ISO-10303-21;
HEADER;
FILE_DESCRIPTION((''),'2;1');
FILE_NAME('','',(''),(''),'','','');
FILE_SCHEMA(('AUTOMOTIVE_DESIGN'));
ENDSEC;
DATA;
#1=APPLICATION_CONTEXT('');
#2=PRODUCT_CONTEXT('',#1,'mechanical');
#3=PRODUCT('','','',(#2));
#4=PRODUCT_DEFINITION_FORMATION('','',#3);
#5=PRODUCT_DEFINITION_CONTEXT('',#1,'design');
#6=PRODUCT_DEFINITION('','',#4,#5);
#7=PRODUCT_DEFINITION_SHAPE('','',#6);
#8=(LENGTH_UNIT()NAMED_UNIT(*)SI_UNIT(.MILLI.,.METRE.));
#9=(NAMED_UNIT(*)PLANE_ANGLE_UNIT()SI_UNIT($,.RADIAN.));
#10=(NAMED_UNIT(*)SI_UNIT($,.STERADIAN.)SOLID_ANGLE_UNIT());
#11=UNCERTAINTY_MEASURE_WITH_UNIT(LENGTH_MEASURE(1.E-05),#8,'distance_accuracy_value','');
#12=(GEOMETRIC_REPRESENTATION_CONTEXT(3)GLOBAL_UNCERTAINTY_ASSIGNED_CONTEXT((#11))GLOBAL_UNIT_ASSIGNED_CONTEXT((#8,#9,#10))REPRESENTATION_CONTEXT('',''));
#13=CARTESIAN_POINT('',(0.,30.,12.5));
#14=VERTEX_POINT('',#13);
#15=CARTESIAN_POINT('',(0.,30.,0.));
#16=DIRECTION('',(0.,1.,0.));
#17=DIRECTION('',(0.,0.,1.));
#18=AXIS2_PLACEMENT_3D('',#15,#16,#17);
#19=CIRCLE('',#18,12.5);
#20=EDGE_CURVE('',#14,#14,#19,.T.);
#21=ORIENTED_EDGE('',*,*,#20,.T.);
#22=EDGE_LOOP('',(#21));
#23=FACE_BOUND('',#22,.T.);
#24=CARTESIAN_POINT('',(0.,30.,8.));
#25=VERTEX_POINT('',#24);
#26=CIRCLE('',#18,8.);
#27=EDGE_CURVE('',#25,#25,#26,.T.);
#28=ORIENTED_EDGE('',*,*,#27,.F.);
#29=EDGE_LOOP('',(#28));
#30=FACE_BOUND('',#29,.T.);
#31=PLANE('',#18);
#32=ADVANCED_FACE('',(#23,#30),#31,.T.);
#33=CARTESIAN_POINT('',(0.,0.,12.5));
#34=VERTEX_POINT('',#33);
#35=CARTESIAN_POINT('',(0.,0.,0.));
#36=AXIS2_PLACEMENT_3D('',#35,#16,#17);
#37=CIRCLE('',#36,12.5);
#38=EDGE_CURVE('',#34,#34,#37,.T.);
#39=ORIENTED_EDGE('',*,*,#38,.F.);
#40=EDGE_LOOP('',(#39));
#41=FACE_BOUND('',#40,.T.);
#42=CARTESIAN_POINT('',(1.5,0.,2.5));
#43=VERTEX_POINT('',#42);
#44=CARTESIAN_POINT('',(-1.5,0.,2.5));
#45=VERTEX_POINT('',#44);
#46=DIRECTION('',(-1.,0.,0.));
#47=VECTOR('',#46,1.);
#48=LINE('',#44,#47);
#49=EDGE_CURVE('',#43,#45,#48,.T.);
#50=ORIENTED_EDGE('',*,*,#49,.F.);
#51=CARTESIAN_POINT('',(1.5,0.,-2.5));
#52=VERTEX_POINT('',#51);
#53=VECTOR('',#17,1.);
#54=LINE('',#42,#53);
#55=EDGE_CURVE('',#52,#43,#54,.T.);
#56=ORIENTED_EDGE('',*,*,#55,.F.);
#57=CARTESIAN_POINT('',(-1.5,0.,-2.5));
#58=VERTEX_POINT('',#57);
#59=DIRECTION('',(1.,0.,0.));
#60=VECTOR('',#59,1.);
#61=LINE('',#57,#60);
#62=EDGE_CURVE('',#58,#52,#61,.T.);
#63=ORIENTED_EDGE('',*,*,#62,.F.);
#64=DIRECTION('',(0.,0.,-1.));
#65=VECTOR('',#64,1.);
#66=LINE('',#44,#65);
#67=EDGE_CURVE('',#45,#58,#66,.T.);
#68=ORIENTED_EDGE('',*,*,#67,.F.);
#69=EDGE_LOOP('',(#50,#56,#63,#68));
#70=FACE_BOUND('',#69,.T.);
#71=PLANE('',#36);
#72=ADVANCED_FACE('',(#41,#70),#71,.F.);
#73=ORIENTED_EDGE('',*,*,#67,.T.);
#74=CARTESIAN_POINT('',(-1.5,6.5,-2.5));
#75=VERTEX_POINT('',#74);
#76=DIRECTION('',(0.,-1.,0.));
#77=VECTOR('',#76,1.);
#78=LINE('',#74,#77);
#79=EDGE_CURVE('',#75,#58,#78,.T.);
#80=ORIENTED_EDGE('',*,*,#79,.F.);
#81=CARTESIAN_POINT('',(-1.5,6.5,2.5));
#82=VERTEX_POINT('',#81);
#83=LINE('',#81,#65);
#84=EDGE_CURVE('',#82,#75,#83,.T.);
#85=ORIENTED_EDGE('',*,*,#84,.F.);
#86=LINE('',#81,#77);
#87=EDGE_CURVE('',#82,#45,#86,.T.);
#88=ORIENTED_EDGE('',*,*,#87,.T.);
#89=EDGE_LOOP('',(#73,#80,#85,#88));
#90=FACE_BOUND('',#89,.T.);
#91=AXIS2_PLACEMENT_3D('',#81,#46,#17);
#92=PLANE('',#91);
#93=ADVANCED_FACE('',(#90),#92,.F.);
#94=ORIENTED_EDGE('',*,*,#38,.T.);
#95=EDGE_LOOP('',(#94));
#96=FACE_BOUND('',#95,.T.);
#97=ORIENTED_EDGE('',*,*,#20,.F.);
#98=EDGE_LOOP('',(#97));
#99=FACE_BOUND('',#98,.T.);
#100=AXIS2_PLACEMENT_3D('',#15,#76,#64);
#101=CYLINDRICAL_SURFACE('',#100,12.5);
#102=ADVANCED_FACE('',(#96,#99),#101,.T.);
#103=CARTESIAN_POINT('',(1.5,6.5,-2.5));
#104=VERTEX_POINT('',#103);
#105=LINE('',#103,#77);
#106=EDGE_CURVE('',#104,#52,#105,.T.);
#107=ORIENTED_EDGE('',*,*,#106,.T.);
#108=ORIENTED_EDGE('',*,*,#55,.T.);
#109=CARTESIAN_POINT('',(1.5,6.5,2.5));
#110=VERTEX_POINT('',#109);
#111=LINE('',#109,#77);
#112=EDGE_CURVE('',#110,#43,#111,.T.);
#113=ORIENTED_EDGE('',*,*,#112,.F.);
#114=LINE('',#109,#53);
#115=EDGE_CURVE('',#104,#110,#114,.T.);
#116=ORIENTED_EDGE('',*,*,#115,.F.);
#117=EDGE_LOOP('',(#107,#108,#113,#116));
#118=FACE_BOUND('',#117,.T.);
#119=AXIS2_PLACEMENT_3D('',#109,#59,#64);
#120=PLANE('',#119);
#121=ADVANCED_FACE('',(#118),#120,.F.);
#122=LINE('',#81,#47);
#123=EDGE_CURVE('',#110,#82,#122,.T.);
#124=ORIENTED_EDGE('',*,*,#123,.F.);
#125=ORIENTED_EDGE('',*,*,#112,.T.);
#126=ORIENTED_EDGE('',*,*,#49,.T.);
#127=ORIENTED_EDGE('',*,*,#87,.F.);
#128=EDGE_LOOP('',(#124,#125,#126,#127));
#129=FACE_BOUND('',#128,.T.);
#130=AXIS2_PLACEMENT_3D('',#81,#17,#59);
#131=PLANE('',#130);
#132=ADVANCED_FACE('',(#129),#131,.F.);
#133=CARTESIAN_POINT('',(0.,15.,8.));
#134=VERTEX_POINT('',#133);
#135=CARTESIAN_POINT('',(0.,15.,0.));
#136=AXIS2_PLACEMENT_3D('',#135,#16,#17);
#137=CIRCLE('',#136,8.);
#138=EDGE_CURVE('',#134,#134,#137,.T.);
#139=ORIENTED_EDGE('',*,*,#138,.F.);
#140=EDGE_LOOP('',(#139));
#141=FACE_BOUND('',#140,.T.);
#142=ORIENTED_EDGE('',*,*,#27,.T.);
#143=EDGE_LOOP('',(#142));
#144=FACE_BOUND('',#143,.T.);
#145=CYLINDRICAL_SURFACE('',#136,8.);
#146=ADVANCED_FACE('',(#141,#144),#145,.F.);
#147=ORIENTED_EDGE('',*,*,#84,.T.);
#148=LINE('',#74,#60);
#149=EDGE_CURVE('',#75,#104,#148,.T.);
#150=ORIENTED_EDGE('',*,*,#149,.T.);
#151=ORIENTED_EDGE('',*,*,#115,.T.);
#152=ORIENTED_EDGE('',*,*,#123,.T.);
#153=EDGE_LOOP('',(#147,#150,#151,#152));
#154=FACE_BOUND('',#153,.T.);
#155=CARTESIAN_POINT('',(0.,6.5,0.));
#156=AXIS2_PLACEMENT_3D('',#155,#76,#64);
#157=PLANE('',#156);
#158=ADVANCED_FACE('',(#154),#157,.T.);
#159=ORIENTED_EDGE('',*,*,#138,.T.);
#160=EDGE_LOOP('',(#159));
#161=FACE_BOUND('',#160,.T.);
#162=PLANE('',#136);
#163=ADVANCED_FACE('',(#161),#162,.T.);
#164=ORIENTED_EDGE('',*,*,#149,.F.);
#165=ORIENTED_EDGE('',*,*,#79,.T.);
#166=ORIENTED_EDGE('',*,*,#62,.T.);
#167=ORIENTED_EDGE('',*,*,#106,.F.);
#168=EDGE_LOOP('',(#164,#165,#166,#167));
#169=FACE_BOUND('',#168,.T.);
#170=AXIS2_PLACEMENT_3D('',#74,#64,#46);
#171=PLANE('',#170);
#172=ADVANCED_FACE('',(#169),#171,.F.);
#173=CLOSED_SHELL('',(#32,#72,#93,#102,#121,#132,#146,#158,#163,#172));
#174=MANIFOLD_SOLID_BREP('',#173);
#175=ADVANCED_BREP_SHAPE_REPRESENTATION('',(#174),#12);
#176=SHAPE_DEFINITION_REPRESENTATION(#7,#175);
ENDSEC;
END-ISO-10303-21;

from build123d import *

# Parameters (mm, degrees)
ESBO_O1_R                = 12.5
RESSALTO_EXTRUS_O1_DEPTH = 30
ESBO_O2_R                = 8
CORTE_EXTRUS_O1_DEPTH    = 15
ESBO_O3_W                = 3
ESBO_O3_H                = 5
CORTE_EXTRUS_O2_DEPTH    = 6.5


with BuildPart() as part:
    # Esboço1 → Ressalto-extrusão1 (new body)
    with BuildSketch(Plane(origin=(0, 0, 0), x_dir=(1, 0, 0), z_dir=(0, 1, 0))):
        with Locations(Location((0, 0, 0), (0, 0, 270))):
            Circle(ESBO_O1_R)
    extrude(amount=RESSALTO_EXTRUS_O1_DEPTH)

    # Esboço2 → Corte-extrusão1 (cut)
    with BuildSketch(Plane(origin=(0, 30, 0), x_dir=(1, 0, 0), z_dir=(0, 1, 0))):
        with Locations(Location((0, 0, 0), (0, 0, 270))):
            Circle(ESBO_O2_R)
    extrude(amount=-CORTE_EXTRUS_O1_DEPTH, mode=Mode.SUBTRACT)

    # Esboço3 → Corte-extrusão2 (cut)
    with BuildSketch(Plane.XZ):
        Rectangle(ESBO_O3_W, ESBO_O3_H)
    extrude(amount=-CORTE_EXTRUS_O2_DEPTH, mode=Mode.SUBTRACT)


solid = part.part
